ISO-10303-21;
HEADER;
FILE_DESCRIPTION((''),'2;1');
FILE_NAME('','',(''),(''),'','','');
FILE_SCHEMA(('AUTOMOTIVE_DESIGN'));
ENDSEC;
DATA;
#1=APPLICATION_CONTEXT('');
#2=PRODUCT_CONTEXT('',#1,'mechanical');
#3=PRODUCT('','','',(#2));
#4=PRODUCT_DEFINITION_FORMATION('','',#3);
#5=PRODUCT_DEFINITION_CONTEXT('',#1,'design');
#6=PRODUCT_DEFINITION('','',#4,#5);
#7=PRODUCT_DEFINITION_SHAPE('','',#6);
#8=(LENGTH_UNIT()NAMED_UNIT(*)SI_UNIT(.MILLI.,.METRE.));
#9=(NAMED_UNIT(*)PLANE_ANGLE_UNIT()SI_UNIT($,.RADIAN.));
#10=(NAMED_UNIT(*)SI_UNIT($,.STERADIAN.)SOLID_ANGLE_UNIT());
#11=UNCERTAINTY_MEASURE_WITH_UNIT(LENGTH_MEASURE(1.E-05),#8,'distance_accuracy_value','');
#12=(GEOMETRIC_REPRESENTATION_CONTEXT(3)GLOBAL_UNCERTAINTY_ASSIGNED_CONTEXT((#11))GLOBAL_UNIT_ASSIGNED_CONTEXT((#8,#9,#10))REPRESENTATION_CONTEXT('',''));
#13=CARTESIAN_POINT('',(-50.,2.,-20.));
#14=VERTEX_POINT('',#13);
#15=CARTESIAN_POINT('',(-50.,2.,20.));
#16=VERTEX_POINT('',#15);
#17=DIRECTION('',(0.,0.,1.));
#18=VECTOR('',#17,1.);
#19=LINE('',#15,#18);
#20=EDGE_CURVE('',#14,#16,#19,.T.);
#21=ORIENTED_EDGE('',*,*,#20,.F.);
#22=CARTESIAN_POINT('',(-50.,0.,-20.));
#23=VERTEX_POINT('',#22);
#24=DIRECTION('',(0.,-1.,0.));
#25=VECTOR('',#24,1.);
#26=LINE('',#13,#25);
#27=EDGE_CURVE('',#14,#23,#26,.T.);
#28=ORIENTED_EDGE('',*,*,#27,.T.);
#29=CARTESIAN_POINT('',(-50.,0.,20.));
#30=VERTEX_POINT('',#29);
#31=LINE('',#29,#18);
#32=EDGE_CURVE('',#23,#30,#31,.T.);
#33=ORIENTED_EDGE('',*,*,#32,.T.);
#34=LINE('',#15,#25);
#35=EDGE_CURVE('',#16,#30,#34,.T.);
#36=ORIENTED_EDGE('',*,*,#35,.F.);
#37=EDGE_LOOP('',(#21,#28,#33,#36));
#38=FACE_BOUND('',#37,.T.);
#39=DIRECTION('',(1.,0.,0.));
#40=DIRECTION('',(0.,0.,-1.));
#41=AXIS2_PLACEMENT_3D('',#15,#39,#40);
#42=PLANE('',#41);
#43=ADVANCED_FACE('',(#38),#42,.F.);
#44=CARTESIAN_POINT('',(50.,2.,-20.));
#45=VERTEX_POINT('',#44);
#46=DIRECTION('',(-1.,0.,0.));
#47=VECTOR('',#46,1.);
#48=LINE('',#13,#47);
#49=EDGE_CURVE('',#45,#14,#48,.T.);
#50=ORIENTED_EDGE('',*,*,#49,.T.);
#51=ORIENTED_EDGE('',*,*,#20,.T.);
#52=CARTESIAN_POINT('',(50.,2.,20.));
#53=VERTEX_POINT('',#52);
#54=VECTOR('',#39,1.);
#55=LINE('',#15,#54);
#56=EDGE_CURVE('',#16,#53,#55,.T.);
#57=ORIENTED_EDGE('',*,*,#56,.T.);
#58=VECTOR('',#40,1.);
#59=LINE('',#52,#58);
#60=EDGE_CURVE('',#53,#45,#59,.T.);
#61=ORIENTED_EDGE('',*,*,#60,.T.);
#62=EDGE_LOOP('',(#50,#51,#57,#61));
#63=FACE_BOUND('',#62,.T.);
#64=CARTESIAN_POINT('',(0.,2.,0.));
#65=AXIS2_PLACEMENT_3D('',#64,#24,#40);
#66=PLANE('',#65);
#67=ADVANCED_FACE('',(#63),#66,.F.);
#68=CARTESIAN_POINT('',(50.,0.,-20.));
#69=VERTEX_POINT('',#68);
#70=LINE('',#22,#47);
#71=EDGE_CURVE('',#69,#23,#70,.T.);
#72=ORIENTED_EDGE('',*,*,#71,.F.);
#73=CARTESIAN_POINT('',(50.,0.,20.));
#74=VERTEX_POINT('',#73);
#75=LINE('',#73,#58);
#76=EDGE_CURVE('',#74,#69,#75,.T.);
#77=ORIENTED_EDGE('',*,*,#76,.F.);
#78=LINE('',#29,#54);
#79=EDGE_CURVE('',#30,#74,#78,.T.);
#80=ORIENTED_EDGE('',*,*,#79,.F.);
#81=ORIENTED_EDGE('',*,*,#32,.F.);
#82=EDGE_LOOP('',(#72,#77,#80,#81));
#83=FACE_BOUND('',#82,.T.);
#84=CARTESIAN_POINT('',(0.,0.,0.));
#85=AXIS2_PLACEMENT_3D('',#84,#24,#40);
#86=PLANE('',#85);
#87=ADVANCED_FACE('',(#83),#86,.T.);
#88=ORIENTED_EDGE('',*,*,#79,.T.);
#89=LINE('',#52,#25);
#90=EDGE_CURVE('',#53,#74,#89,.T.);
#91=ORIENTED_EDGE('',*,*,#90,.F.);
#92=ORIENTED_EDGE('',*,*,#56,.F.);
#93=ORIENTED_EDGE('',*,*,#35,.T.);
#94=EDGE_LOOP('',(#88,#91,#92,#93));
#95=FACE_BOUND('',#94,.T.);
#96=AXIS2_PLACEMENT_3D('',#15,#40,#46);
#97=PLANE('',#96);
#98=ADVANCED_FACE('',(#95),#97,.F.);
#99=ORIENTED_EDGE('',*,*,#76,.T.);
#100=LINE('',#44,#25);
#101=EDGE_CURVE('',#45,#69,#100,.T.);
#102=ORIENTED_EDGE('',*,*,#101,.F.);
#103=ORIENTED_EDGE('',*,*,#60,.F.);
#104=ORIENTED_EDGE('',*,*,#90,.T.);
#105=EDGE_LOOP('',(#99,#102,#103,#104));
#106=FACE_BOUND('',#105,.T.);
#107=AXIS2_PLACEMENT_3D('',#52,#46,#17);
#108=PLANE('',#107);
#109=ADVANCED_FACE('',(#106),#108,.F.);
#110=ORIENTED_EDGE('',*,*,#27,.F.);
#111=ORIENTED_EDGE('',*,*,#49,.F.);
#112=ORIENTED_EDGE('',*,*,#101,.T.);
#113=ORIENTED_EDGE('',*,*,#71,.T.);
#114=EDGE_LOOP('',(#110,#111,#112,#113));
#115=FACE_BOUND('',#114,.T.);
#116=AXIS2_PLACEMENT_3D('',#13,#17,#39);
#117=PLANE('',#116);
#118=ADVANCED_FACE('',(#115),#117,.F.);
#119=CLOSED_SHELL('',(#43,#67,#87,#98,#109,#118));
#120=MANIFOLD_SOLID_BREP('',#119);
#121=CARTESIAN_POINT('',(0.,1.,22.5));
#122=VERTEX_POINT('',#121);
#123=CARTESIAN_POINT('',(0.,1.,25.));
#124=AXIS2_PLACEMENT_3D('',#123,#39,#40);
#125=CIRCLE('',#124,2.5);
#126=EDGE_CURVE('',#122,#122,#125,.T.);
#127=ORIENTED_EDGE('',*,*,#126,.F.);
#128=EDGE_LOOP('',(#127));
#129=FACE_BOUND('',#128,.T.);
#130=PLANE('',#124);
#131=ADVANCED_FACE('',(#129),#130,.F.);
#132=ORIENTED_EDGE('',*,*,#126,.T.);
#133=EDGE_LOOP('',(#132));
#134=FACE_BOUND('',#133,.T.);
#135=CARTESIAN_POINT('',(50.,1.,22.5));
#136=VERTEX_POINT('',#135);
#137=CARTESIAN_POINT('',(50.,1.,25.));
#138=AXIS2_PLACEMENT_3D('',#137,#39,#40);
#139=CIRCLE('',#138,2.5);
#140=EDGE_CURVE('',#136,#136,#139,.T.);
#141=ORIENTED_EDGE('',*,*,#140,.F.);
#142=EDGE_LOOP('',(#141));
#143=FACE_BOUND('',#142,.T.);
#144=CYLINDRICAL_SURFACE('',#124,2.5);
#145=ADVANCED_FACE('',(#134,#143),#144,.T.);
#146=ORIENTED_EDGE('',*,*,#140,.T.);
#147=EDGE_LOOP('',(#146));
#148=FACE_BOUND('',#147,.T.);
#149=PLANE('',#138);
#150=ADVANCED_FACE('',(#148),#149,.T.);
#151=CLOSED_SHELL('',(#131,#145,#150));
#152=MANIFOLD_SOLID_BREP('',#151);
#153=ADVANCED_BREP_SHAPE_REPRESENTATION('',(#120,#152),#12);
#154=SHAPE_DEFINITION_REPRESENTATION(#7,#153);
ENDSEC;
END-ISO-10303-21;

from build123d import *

# Parameters (mm, degrees)
SKETCH1_W           = 100
SKETCH1_H           = 40
BOSS_EXTRUDE1_DEPTH = 2
SKETCH2_R           = 2.5
BOSS_EXTRUDE2_DEPTH = 50


with BuildPart() as part:
    # Sketch1 → Boss-Extrude1 (new body)
    with BuildSketch(Plane(origin=(0, 0, 0), x_dir=(1, 0, 0), z_dir=(0, 1, 0))):
        Rectangle(SKETCH1_W, SKETCH1_H)
    extrude(amount=BOSS_EXTRUDE1_DEPTH)


with BuildPart() as body_2:
    # Sketch2 → Boss-Extrude2 (new body)
    with BuildSketch(Plane(origin=(50, 0, 0), x_dir=(0, 0, -1), z_dir=(1, 0, 0))):
        with Locations((-25, 1)):
            Circle(SKETCH2_R)
    extrude(amount=-BOSS_EXTRUDE2_DEPTH)


solid = Compound([part.part, body_2.part])
